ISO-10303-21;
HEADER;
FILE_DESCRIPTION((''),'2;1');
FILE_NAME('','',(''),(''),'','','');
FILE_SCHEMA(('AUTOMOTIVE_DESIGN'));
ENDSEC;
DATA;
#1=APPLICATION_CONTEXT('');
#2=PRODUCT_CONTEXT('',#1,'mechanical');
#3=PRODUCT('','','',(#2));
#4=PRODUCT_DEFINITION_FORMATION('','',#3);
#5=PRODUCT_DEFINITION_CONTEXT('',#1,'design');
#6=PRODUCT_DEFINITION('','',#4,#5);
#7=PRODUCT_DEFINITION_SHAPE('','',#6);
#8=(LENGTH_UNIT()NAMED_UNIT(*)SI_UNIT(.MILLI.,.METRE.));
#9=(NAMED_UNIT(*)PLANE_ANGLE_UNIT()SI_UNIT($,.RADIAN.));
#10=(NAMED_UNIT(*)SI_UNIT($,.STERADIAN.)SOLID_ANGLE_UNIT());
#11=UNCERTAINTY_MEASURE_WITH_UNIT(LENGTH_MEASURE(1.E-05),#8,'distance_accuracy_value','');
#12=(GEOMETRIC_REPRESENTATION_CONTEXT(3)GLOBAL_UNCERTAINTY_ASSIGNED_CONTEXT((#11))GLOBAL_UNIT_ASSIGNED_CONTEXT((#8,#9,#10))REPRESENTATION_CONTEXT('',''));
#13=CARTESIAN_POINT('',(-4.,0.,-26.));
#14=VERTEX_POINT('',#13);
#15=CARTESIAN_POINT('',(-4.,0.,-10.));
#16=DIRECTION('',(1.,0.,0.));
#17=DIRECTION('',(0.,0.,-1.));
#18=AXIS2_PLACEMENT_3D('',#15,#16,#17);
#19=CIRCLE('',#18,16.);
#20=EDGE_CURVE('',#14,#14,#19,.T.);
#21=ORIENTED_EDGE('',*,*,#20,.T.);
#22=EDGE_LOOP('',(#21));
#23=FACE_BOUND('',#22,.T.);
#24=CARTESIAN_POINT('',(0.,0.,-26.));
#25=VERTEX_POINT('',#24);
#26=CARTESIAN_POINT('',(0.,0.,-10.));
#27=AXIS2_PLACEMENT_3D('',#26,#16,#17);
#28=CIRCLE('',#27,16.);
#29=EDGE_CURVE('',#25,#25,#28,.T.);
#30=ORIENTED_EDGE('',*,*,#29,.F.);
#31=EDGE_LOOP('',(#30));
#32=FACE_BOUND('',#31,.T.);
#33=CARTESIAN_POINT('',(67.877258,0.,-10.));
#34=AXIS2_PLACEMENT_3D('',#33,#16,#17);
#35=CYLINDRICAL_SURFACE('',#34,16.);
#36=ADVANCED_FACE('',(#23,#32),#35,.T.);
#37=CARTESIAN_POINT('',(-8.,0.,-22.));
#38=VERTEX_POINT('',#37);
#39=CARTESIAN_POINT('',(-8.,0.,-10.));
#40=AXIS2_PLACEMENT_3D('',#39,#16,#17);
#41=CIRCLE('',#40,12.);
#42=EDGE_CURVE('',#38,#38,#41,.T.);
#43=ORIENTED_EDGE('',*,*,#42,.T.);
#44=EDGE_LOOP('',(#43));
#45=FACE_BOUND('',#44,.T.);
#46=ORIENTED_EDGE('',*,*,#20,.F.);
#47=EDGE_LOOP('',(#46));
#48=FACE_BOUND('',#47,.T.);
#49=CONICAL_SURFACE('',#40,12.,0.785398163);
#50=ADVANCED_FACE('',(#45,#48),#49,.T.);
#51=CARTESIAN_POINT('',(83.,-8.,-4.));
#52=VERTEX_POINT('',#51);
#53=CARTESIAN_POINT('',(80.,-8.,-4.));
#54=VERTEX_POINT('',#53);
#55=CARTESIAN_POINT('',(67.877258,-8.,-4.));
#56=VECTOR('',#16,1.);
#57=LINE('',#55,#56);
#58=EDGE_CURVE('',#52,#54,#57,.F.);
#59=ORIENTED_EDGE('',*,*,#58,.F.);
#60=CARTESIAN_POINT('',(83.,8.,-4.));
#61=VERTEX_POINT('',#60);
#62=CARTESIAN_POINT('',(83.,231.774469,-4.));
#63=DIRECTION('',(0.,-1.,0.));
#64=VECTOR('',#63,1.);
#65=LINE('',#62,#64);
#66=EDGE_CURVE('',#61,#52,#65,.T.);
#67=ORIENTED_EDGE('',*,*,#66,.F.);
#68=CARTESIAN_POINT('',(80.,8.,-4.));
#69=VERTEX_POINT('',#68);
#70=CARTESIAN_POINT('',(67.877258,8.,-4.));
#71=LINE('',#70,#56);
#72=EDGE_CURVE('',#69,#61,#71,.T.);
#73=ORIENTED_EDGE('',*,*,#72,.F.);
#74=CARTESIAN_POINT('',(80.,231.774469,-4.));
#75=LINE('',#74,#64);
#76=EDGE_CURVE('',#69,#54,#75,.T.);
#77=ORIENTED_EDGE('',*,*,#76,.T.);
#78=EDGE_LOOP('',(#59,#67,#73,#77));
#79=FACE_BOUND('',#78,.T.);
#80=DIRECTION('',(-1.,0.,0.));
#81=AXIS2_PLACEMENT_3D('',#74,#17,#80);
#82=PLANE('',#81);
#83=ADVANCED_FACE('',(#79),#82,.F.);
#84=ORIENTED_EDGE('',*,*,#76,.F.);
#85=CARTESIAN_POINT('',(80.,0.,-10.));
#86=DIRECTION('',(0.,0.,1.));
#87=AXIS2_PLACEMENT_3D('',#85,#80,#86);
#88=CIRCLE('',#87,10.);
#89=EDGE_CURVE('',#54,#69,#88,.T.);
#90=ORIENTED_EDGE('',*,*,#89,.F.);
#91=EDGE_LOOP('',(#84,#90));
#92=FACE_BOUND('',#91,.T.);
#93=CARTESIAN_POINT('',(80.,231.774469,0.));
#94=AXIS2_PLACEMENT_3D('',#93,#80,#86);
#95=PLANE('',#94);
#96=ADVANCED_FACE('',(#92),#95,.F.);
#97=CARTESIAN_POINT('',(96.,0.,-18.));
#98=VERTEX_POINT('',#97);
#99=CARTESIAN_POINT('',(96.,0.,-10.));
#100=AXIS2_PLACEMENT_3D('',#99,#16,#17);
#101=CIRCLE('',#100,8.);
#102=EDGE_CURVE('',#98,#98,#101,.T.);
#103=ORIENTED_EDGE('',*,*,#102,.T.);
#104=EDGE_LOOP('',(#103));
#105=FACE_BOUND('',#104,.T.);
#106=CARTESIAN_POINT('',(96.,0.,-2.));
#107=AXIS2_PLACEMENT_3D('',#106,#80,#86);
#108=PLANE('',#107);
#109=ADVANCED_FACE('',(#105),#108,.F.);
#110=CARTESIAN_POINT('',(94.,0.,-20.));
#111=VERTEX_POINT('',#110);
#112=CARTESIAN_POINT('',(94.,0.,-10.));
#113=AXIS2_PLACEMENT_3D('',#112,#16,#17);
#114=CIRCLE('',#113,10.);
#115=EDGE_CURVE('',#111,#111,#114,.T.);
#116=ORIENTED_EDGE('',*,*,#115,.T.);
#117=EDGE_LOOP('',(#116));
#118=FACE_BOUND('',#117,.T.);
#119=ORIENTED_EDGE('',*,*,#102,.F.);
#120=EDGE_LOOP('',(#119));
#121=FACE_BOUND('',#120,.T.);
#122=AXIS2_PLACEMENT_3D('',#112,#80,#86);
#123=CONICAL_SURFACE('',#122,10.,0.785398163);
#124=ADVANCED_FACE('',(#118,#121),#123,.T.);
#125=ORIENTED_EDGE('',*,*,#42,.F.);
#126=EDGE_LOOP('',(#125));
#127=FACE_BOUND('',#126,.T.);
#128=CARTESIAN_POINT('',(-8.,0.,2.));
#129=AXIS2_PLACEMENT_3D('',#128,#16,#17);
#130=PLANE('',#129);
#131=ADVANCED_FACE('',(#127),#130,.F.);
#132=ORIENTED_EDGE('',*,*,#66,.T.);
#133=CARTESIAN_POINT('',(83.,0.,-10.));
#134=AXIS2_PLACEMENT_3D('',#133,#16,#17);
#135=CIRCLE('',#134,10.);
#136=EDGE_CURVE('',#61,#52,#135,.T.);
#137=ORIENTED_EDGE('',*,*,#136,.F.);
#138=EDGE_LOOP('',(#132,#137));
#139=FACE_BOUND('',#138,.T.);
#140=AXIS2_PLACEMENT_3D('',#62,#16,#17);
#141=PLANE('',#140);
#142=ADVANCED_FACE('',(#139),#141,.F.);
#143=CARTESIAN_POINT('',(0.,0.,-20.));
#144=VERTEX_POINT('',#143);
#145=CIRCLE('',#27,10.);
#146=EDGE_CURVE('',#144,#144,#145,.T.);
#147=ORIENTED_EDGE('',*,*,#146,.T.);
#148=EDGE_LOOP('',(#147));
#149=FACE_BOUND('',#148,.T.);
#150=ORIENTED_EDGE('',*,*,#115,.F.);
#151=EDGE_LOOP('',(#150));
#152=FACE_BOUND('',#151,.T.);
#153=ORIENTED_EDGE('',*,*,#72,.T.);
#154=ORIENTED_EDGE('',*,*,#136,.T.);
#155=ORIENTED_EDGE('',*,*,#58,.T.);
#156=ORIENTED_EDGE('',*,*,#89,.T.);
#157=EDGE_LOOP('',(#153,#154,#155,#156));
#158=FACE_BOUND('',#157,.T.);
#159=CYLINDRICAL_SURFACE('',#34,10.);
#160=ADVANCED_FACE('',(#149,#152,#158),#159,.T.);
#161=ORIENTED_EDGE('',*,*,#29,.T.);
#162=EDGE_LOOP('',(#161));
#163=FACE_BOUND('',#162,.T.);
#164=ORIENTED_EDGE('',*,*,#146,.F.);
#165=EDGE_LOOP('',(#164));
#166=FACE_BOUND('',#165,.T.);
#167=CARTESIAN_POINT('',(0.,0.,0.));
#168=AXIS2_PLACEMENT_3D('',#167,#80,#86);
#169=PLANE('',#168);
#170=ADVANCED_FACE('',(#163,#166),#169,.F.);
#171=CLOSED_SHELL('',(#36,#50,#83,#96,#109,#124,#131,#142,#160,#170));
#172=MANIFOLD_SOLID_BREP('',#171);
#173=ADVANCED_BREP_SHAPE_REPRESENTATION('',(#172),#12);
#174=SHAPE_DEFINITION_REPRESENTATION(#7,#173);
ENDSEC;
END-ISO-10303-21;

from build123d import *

# Parameters (mm, degrees)
CUT_EXTRUDE2_DEPTH      = 1
CUT_EXTRUDE2_DEPTH_BACK = 57


with BuildPart() as part:
    # Sketch1 → Revolve1 (revolve)
    with BuildSketch(Plane(origin=(0, 0, 0), x_dir=(1, 0, 0), z_dir=(0, 1, 0))):
        Polygon((0, 0), (94, 0), (96, 2), (96, 10), (-8, 10), (-8, -2), (-4, -6), (0, -6), align=None)
    revolve(axis=Axis((67.877257865, 0, -10), (-1, 0, 0)))

    # Sketch2 → Cut-Extrude2 (cut, two sides)
    with BuildSketch(Plane(origin=(0, 40, 0), x_dir=(1, 0, 0), z_dir=(0, 1, 0))) as cut_extrude2_sk:
        Polygon((80, -199.282857121), (80, 0), (80, 4), (83, 4), (83, 0), (83, -199.282857121), (83, -597.848571364), (80, -597.848571364), align=None)
    extrude(amount=CUT_EXTRUDE2_DEPTH, mode=Mode.SUBTRACT)
    extrude(cut_extrude2_sk.sketch, amount=-CUT_EXTRUDE2_DEPTH_BACK, mode=Mode.SUBTRACT)


solid = part.part
